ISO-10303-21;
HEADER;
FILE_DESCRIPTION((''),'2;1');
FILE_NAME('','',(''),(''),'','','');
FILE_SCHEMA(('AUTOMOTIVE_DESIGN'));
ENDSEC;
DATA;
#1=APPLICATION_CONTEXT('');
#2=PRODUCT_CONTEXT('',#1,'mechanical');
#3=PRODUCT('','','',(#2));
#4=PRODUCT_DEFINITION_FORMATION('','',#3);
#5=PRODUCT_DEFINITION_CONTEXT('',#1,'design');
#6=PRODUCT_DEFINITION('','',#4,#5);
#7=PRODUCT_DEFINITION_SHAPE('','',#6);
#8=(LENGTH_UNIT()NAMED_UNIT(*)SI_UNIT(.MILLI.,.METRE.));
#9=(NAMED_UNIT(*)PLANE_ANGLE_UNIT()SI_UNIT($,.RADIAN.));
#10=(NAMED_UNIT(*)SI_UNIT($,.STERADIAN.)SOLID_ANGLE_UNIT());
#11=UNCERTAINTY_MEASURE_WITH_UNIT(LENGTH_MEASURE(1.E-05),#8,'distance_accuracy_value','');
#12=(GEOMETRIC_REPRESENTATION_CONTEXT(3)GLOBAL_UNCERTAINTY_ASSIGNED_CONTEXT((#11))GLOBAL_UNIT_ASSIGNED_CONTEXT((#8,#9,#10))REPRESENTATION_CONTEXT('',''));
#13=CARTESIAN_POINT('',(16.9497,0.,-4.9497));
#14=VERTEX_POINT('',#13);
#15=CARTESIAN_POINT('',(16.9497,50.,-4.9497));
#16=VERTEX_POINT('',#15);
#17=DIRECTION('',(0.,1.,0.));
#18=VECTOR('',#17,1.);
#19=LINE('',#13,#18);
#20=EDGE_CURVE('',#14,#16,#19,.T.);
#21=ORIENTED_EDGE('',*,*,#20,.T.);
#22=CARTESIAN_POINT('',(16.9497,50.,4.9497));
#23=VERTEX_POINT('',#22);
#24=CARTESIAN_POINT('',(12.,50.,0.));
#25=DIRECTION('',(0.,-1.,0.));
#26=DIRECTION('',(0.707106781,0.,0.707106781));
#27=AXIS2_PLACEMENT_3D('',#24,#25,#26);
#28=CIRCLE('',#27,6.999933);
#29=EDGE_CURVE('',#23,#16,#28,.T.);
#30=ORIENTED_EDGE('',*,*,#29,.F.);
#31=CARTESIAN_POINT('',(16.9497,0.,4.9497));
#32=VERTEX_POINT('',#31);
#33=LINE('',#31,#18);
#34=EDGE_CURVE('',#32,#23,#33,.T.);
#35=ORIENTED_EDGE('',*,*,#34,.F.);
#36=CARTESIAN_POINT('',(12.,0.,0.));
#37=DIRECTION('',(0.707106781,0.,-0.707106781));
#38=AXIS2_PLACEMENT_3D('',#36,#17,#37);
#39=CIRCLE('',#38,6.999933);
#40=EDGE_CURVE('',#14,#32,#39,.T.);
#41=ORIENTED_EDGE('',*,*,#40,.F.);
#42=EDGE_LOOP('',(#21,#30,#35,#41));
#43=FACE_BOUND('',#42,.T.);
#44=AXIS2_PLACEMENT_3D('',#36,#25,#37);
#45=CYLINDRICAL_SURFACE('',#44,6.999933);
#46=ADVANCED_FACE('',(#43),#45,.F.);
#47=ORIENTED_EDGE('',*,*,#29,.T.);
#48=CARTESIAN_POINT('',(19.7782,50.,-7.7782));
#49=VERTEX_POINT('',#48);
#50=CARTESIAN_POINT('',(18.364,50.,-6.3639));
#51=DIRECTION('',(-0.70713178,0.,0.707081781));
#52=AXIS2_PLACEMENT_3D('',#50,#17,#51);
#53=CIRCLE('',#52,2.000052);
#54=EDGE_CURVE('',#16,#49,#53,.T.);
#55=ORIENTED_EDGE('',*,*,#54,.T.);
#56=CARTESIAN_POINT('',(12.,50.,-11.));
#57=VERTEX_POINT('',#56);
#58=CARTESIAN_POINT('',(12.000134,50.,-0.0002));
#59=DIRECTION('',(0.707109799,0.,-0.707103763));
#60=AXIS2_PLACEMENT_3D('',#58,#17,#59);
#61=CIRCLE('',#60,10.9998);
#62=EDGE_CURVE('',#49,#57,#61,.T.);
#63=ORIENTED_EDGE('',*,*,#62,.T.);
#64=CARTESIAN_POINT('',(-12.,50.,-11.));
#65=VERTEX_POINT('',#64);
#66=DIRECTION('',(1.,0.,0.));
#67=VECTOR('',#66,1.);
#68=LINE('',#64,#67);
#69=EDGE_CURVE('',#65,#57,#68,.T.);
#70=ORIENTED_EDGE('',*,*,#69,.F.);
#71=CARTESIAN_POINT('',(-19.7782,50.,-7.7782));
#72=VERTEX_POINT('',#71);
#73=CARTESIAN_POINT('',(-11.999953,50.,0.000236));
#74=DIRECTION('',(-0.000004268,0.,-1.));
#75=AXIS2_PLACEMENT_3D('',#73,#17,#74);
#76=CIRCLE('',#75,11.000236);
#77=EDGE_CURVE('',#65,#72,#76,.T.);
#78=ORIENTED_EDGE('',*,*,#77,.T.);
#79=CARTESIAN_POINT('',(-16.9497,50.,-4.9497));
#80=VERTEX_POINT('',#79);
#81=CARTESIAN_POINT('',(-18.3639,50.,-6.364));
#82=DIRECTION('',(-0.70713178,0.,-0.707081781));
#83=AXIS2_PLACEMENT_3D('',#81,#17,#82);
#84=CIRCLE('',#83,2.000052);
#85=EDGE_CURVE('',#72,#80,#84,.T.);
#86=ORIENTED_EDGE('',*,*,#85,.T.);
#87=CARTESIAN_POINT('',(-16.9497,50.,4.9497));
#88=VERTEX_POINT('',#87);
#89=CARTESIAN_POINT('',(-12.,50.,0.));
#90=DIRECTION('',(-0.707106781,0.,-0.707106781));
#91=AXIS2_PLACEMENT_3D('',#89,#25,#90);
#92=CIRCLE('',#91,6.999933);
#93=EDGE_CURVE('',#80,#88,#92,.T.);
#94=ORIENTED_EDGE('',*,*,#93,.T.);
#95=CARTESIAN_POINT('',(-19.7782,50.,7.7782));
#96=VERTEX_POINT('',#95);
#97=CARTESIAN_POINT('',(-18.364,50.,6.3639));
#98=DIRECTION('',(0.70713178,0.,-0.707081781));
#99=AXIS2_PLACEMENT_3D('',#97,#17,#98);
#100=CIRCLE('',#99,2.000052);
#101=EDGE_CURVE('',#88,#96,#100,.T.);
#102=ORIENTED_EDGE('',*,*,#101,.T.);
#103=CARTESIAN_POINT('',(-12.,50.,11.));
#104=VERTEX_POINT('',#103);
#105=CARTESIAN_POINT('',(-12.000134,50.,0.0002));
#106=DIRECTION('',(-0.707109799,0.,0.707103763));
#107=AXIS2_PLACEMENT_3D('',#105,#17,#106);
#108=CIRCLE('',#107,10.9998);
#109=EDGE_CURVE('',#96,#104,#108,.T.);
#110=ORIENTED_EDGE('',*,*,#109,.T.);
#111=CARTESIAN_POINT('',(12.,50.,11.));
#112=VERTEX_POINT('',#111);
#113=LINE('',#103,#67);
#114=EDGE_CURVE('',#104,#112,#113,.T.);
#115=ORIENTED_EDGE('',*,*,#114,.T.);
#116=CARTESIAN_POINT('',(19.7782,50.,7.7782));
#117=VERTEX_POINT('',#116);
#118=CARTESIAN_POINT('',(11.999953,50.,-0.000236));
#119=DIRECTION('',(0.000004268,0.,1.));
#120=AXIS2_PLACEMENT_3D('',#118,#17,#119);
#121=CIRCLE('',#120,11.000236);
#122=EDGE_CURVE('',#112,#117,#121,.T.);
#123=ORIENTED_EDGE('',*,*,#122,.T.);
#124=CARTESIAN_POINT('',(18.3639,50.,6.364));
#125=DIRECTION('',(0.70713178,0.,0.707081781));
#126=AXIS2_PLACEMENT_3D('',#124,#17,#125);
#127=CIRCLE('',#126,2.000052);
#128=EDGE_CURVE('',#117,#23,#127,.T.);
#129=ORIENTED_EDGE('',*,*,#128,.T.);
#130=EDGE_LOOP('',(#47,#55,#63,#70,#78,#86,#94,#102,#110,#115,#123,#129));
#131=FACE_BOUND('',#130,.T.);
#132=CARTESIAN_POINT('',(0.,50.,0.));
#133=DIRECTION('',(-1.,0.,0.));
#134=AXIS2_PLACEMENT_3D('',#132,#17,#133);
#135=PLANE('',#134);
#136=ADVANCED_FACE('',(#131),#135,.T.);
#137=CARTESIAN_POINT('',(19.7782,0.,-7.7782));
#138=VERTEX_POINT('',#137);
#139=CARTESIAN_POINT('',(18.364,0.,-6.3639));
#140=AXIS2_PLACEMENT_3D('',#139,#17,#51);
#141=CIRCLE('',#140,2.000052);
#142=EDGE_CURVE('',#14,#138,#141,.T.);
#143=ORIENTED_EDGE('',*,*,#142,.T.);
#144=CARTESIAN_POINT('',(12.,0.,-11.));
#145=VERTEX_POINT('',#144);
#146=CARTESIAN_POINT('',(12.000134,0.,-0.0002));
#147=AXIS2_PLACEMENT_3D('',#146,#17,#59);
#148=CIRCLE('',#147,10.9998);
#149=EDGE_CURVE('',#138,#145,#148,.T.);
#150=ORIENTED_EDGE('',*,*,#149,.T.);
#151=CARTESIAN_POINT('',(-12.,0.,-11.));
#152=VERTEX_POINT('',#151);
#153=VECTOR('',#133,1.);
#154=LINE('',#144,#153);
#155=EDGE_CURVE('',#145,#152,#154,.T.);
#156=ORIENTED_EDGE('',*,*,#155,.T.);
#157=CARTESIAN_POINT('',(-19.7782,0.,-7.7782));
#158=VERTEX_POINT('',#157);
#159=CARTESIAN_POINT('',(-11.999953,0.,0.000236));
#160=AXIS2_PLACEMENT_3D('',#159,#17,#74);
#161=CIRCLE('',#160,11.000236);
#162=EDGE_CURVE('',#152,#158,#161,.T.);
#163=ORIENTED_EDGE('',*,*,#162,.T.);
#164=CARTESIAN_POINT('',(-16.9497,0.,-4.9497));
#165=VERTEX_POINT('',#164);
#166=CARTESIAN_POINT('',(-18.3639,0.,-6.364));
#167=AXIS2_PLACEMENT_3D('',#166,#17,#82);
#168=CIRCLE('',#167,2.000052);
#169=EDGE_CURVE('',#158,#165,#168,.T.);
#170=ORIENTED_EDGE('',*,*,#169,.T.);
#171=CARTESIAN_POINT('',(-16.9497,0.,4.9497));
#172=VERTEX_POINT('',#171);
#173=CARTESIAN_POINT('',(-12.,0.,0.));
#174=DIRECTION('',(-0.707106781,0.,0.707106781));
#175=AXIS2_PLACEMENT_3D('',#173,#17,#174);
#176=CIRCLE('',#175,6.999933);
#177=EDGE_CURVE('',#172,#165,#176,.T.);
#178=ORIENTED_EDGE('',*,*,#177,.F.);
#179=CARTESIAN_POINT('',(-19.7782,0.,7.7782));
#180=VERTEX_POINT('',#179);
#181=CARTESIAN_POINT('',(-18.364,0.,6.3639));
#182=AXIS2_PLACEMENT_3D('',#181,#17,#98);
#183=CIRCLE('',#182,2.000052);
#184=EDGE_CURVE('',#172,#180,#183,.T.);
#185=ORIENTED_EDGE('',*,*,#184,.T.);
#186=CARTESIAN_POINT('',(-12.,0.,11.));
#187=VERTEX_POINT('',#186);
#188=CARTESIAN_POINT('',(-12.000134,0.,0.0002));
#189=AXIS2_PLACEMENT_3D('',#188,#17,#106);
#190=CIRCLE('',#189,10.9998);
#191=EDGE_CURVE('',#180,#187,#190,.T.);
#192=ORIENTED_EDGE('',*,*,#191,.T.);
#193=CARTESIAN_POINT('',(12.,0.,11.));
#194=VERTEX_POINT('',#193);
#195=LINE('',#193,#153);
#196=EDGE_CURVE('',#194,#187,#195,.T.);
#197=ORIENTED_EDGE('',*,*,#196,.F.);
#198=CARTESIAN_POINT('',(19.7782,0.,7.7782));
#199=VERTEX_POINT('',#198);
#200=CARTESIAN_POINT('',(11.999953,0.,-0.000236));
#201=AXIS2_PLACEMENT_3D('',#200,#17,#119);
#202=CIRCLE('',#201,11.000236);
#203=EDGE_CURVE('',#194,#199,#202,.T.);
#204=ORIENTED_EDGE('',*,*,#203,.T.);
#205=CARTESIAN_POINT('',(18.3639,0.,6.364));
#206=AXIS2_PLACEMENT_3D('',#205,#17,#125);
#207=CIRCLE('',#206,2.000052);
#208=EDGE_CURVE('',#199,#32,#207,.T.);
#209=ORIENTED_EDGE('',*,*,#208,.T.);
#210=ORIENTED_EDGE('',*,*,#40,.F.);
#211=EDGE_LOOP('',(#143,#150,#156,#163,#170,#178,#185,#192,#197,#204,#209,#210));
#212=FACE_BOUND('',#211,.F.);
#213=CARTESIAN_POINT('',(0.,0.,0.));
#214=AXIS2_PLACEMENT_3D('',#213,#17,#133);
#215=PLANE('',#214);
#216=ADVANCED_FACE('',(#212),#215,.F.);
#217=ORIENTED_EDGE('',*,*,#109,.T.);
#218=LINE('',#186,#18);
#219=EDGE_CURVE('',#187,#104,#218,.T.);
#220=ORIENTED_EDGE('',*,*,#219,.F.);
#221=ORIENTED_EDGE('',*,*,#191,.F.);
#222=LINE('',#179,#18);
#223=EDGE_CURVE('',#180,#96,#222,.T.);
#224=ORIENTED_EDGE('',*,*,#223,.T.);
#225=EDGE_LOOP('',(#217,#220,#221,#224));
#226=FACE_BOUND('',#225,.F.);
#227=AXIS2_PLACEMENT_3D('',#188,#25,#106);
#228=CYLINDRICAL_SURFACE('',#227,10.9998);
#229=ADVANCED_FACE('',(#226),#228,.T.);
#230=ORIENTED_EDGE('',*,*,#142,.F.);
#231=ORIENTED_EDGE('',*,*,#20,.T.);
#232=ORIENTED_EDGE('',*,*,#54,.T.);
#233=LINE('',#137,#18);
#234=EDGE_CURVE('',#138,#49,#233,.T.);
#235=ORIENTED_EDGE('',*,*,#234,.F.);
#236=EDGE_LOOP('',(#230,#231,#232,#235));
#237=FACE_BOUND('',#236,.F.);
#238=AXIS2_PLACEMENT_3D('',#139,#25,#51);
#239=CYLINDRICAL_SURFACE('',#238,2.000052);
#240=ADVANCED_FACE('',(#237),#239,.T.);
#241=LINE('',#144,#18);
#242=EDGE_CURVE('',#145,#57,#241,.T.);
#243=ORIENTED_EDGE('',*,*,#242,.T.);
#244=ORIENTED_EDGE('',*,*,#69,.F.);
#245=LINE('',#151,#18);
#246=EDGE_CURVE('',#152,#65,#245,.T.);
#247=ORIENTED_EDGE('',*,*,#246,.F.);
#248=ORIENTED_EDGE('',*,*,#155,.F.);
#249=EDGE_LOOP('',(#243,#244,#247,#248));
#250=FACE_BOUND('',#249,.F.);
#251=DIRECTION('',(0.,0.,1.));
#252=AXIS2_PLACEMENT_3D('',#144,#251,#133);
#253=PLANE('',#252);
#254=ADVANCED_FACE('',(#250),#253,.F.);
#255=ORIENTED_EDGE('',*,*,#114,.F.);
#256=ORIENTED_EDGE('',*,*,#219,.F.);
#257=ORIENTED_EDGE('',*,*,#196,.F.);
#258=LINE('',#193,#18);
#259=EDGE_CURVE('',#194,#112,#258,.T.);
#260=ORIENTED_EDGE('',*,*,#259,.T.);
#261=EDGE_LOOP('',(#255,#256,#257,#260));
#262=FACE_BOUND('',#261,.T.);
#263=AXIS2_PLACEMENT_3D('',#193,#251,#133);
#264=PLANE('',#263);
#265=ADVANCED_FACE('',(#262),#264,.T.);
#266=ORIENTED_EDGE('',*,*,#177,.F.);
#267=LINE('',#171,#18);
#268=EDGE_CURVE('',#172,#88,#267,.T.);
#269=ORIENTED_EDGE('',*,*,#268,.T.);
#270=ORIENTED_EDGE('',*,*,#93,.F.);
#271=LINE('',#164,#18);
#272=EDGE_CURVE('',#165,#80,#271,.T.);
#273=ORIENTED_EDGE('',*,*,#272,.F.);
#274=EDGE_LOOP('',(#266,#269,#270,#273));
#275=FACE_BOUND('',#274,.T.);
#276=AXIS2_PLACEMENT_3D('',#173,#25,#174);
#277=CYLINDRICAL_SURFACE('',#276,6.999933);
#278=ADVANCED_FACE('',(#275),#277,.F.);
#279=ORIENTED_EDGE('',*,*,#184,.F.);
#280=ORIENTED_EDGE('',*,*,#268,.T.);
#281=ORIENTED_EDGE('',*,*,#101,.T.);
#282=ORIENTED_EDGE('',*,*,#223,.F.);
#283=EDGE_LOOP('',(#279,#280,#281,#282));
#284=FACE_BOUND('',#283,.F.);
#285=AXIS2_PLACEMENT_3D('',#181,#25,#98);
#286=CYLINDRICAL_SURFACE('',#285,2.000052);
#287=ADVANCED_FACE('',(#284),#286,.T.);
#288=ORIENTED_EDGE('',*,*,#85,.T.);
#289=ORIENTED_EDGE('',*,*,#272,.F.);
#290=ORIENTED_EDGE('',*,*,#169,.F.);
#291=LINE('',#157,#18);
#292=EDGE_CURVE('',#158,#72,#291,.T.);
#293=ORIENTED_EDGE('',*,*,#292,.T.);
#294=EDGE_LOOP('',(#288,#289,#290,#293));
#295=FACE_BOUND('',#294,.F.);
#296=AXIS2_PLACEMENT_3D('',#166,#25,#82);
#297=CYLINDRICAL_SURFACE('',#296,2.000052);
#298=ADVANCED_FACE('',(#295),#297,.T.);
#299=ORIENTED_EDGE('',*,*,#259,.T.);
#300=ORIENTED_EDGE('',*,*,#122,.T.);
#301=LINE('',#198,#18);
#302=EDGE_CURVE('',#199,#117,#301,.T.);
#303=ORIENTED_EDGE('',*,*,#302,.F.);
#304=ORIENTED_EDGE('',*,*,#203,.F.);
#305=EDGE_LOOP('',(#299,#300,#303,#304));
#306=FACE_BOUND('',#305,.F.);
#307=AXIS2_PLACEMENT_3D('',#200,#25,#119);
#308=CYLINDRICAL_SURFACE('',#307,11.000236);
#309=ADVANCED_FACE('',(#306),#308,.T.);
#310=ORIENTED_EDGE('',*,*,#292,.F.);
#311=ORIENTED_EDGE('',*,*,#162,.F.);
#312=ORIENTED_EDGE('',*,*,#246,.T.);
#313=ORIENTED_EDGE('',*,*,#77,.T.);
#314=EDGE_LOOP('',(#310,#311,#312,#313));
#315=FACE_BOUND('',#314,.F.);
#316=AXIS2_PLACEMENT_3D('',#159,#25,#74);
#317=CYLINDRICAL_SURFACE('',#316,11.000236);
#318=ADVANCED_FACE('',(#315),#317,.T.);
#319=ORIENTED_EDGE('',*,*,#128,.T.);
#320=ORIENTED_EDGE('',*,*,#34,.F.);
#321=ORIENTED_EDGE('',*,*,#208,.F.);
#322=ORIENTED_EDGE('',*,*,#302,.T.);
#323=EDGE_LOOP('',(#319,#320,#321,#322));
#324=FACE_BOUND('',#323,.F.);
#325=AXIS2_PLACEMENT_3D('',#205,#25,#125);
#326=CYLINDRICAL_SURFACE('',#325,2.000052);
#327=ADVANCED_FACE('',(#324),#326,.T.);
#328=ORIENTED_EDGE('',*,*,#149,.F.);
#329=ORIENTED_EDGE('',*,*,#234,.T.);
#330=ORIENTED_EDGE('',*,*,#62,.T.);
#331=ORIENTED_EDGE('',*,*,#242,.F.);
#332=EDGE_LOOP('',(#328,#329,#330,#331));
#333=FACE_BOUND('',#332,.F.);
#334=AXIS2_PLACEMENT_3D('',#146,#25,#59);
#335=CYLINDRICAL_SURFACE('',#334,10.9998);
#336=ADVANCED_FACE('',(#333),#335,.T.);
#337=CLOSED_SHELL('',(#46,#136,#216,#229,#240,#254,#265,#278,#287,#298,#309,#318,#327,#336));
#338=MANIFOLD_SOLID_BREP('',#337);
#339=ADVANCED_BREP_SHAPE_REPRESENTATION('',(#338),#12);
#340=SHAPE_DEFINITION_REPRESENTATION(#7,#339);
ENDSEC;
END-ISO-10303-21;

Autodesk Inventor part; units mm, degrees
ref_plane "YZ Plane" through (0, 0, 0) normal (1, 0, 0) x (0, 1, 0)
ref_plane "XZ Plane" through (0, 0, 0) normal (0, 1, 0) x (-1, 0, 0)
ref_plane "XY Plane" through (0, 0, 0) normal (0, 0, 1) x (1, 0, 0)
sketch "스케치1" plane through (0, 0, 0) normal (0, 1, 0) x (-1, 0, 0)
  line L0 (0, -16.483) -> (0, 16.483) projected
  line L1 (31.8385, 0) -> (-30.0309, 0) projected
  arc A0 (16.9497, 4.9497) -> (16.9497, -4.9497) centre (12, 0) ccw
  line L2 (12, -11) -> (0, -11)
  line L3 (12, 11) -> (0, 11)
  line L4 (12, 0) -> (19.7782, -7.7782)
  line L5 (12, 0) -> (23, 0) construction
  arc A1 (19.7782, -7.7782) -> (16.9497, -4.9497) centre (18.364, -6.364) ccw
  arc A2 (16.9497, 4.9497) -> (19.7782, 7.7782) centre (18.364, 6.364) ccw
  arc A3 (12, -11) -> (19.7782, -7.7782) centre (12, 0) ccw
  arc A4 (19.7782, 7.7782) -> (12, 11) centre (12, 0) ccw
  arc A5 (-16.9497, -4.9497) -> (-16.9497, 4.9497) centre (-12, 0) ccw
  line L6 (-12, -11) -> (0, -11)
  arc A6 (-16.9497, -4.9497) -> (-19.7782, -7.7782) centre (-18.364, -6.364) ccw
  arc A7 (-19.7782, 7.7782) -> (-16.9497, 4.9497) centre (-18.364, 6.364) ccw
  arc A8 (-19.7782, -7.7782) -> (-12, -11) centre (-12, 0) ccw
  arc A9 (-12, 11) -> (-19.7782, 7.7782) centre (-12, 0) ccw
  line L7 (-12, 11) -> (0, 11)
  point P0 (0, 0)
  dimension "d0" = 14
  dimension "d1" = 12
  dimension "d3" = 45
  dimension "d4" = 11
extrude "돌출1" add sketch "스케치1" along normal blind 50 contours L6 A8 A6 A5 L1 L0 | L0 L1 A0 L4 A3 L2 | L1 A5 A7 A9 L7 L0 | L0 L3 A4 A2 A0 L1 | L4 A1
properties part number "카메라 고정 중단"
